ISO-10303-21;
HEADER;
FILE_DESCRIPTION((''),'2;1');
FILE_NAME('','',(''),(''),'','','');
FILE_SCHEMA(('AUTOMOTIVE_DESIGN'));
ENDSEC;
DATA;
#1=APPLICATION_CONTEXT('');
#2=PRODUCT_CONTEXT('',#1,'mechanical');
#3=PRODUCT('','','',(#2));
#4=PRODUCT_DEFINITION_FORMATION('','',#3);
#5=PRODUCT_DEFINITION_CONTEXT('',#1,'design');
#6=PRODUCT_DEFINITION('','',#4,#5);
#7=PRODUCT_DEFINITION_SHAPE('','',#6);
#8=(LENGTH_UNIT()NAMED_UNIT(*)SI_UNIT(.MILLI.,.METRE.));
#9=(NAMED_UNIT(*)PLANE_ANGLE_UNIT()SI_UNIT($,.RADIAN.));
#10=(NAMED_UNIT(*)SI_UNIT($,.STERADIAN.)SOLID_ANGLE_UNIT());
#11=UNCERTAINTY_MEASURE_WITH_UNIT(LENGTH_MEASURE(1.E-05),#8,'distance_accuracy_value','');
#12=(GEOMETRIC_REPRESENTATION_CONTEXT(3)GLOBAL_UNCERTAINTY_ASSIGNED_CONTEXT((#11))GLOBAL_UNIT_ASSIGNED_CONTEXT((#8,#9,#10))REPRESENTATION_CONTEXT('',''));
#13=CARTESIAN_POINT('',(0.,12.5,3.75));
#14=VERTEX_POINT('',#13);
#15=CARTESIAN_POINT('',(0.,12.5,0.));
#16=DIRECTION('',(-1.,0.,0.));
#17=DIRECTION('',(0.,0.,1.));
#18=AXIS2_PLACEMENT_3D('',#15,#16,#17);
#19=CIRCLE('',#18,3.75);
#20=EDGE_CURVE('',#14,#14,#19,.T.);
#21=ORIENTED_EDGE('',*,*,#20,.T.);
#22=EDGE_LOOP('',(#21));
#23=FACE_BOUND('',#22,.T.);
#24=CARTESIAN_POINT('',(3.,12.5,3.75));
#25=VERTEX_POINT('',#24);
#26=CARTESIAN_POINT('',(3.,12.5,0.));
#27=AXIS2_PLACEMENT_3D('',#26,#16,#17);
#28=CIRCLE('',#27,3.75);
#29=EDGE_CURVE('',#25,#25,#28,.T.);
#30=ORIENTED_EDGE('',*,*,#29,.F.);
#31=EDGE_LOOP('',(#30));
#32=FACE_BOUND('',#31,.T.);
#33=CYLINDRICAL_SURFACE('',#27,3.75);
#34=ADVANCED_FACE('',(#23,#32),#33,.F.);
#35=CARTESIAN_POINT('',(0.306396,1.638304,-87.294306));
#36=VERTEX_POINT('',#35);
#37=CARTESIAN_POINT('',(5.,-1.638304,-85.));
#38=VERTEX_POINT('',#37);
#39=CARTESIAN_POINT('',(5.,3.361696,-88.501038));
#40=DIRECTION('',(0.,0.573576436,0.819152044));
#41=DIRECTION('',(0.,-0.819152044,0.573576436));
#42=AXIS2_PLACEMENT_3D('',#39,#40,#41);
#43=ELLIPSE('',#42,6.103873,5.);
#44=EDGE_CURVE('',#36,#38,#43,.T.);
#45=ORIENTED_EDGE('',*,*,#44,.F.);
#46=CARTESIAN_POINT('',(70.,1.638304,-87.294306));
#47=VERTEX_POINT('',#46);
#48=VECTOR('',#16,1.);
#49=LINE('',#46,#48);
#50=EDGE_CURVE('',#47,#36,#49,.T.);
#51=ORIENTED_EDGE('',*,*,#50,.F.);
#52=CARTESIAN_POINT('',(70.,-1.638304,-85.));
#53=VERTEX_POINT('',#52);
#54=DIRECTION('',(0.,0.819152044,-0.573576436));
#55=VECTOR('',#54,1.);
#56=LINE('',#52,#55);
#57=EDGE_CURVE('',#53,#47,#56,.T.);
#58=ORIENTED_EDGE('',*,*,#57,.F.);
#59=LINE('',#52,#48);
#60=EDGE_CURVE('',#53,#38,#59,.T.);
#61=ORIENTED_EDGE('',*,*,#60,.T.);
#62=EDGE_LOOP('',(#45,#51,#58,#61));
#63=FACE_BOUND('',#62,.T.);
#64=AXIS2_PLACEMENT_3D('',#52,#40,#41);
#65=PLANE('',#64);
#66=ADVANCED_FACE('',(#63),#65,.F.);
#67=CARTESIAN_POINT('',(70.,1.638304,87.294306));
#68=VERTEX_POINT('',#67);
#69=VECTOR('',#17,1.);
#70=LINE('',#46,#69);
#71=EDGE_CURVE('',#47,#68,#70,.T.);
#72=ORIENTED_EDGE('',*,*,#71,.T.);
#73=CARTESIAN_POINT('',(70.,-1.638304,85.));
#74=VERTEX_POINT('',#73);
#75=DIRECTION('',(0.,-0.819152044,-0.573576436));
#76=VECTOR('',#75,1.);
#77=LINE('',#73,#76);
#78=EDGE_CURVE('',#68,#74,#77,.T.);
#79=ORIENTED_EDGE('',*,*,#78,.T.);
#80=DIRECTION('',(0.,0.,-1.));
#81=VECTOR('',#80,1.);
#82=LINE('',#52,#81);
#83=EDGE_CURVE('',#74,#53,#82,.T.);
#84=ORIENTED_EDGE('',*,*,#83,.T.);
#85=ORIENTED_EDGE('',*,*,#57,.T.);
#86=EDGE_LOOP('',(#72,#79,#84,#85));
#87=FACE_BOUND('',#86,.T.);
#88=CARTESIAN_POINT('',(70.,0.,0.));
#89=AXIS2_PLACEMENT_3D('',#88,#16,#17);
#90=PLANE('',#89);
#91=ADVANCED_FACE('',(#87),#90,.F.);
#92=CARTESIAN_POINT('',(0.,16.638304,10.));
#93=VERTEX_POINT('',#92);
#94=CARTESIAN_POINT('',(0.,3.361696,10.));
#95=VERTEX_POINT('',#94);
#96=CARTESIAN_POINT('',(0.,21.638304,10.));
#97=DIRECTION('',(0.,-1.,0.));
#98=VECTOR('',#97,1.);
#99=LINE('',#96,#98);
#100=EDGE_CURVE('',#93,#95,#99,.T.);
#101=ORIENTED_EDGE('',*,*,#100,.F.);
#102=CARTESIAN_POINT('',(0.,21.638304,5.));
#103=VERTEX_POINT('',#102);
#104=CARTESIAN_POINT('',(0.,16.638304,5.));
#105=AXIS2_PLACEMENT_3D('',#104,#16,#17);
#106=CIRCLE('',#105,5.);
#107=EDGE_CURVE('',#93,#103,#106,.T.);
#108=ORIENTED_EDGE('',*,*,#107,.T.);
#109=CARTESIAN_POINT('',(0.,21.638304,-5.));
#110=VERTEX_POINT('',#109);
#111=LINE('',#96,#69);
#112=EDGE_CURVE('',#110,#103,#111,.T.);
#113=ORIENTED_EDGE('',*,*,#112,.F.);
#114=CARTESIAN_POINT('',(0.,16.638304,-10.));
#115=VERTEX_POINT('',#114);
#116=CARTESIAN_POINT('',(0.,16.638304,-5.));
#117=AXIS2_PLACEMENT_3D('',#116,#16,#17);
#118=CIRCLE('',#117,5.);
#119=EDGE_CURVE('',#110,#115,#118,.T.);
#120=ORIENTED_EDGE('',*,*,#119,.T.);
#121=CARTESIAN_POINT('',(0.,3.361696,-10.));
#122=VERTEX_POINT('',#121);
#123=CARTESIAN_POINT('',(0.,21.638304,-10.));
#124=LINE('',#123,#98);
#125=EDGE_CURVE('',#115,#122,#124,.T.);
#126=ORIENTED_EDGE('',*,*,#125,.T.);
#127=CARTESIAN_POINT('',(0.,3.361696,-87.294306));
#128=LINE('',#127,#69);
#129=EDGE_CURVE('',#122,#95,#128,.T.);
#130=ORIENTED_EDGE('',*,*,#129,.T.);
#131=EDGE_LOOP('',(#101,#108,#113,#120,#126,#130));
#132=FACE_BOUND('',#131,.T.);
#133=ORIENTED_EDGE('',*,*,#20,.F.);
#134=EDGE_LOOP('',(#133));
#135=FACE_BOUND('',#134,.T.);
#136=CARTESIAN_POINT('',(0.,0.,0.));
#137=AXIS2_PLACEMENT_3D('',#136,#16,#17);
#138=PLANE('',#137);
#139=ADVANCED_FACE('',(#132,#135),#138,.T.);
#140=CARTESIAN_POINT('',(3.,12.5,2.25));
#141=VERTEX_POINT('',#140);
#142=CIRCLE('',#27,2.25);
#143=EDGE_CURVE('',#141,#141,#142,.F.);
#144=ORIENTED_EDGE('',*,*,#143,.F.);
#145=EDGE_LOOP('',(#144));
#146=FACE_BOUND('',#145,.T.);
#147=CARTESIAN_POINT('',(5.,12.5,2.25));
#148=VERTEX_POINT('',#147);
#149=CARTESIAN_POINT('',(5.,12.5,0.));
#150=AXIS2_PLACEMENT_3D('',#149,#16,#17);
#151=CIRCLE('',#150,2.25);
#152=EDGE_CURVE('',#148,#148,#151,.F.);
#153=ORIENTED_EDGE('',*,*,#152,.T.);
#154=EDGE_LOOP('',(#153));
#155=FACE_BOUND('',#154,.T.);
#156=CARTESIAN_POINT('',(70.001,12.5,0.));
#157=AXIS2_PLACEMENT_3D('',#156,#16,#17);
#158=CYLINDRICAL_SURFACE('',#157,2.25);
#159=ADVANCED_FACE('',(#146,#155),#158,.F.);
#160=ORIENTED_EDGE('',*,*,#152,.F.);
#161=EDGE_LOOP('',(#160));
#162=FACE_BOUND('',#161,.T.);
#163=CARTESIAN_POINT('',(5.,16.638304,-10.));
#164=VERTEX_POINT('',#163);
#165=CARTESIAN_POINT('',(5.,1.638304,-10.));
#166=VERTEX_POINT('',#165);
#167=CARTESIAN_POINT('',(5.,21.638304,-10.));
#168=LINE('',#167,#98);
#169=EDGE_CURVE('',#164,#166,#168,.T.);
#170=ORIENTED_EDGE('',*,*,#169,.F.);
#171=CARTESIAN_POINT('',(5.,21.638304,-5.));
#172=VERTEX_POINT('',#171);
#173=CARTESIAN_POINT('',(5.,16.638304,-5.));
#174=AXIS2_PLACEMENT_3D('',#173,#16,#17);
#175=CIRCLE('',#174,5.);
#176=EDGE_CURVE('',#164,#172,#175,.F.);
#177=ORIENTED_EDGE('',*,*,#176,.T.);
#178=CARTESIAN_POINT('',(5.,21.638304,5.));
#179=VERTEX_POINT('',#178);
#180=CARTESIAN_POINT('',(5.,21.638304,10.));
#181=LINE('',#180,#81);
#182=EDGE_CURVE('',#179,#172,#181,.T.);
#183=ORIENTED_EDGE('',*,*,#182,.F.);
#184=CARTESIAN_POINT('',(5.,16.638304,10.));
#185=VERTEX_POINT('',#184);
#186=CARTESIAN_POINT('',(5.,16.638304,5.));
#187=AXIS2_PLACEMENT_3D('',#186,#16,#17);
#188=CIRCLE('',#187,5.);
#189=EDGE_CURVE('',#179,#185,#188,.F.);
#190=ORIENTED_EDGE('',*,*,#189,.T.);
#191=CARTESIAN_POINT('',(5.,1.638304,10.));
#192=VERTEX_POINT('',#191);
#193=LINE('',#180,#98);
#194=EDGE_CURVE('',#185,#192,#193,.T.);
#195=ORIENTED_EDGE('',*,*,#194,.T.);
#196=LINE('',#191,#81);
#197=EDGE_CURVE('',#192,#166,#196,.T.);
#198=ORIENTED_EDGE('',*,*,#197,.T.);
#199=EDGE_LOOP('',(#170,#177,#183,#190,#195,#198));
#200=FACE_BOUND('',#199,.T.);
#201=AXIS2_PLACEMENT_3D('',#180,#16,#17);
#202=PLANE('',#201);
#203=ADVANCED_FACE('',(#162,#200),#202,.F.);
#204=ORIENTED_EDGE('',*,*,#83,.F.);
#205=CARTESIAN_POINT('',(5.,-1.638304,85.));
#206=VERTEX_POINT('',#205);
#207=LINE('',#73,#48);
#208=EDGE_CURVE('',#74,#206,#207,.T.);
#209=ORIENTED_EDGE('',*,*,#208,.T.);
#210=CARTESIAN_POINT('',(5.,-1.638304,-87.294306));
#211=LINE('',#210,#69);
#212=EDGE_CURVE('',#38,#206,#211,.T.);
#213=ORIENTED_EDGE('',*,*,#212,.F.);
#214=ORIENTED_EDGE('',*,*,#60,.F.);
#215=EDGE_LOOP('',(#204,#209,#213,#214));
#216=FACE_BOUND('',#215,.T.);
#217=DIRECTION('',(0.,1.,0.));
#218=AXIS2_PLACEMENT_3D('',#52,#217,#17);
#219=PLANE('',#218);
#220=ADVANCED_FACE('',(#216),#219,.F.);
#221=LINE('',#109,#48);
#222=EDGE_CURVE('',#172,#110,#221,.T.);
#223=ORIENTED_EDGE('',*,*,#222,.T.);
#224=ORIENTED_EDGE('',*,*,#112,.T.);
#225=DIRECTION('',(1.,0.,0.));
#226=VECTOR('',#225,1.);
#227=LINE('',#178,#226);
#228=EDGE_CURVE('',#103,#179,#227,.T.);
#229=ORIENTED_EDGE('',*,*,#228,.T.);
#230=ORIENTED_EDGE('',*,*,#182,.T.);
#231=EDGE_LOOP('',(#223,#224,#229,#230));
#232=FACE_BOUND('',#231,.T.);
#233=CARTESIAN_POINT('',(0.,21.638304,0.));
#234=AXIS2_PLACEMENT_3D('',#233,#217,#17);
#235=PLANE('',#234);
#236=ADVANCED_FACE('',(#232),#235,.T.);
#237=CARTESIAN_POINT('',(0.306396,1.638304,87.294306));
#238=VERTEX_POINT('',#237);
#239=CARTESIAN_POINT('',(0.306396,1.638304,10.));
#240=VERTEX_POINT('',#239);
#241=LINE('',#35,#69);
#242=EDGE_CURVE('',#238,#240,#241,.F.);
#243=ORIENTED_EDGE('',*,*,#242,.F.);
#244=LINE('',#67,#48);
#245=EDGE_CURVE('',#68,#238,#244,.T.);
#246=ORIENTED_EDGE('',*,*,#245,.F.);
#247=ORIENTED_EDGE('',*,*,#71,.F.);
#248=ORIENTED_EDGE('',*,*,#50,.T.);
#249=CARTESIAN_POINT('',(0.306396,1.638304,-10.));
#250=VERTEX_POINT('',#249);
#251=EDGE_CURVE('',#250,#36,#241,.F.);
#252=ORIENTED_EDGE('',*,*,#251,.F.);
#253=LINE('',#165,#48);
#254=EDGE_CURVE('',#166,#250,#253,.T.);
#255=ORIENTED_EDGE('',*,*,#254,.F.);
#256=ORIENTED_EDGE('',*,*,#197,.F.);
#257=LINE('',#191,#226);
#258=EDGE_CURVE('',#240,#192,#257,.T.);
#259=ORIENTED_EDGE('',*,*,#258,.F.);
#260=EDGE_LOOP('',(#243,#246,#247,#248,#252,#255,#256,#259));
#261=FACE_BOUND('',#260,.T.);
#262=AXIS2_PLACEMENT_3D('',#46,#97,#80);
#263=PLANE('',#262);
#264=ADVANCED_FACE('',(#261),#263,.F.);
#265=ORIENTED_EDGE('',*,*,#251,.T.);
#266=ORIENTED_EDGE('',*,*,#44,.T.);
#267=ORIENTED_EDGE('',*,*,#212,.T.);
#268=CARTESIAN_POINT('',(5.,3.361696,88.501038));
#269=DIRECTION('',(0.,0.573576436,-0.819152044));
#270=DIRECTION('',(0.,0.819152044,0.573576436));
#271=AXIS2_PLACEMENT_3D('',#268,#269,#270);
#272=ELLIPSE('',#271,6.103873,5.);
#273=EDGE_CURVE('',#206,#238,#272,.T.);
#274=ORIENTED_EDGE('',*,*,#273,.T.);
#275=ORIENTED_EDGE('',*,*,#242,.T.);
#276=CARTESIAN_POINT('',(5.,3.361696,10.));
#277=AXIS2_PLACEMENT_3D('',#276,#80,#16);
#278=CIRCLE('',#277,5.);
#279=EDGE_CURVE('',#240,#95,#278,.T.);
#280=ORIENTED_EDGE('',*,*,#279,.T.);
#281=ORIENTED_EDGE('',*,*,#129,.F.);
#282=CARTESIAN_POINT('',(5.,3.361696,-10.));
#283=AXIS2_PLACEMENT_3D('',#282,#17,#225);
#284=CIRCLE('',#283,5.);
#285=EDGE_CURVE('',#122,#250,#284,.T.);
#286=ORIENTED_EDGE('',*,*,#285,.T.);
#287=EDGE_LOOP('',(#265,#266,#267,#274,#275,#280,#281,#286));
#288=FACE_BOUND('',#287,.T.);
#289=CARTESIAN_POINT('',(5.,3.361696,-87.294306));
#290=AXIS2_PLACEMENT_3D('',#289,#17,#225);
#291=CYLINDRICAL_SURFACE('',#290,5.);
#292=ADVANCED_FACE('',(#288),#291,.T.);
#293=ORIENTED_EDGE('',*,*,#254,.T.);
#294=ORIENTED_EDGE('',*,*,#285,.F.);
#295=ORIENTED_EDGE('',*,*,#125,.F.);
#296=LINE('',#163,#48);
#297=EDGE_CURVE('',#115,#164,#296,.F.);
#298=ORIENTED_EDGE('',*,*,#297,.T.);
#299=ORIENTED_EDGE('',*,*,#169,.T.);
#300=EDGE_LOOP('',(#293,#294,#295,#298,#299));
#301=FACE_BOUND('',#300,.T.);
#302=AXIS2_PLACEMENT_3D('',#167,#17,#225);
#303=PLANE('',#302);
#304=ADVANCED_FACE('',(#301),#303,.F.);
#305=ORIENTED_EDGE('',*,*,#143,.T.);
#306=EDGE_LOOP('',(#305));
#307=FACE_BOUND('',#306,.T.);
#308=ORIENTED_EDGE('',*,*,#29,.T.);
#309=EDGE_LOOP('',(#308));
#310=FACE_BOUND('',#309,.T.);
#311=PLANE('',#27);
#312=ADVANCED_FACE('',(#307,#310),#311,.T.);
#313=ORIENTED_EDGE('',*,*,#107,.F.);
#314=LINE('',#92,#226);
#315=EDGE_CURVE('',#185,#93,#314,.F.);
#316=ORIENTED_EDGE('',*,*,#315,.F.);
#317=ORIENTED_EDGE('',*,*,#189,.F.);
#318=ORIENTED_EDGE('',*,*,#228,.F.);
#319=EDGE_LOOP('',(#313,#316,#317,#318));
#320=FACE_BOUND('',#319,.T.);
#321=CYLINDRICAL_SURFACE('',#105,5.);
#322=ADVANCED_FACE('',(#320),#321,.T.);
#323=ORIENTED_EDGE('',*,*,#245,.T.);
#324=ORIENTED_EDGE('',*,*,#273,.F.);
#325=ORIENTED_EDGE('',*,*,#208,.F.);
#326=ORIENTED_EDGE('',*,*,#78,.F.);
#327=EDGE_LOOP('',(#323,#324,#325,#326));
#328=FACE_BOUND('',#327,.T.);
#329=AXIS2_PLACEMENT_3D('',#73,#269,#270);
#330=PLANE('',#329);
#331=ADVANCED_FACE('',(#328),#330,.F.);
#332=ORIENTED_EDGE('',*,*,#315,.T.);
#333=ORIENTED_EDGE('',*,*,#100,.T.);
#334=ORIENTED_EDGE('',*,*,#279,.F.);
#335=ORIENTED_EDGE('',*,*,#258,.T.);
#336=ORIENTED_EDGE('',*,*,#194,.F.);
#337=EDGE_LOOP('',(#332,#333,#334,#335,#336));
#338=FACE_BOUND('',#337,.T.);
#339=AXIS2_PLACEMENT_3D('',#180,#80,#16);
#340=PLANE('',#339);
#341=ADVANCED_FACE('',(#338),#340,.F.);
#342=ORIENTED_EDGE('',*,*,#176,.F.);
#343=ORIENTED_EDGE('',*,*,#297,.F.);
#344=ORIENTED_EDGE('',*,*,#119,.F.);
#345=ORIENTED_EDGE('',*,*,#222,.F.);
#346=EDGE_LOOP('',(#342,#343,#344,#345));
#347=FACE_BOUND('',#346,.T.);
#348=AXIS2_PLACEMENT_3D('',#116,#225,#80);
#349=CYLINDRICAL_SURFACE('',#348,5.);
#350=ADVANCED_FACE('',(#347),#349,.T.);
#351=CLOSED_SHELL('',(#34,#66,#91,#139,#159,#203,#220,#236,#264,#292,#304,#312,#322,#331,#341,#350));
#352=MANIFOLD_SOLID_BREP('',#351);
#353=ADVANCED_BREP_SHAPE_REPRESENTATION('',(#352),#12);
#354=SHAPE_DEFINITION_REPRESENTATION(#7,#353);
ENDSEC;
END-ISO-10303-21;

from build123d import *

# Parameters (mm, degrees)
BOSS_EXTRUDE1_DEPTH     = 70
SKETCH4_W               = 5
SKETCH4_H               = 20
BOSS_EXTRUDE2_DEPTH     = 20
CUT_EXTRUDE2_DEPTH      = 114.967153248
CUT_EXTRUDE2_DEPTH_BACK = 114.967153248
CUT_EXTRUDE3_REACH      = 115.967
SKETCH6_R               = 2.25
SKETCH7_R               = 3.75
CUT_EXTRUDE4_DEPTH      = 3
FILLET1_R               = 5


with BuildPart() as part:
    # Sketch1 → Boss-Extrude1 (new body)
    with BuildSketch(Plane.YZ):
        Polygon((-1.638304089, 85), (1.638304089, 87.294305745), (1.638304089, -87.294305745), (-1.638304089, -85), align=None)
    extrude(amount=BOSS_EXTRUDE1_DEPTH)

    # Sketch4 → Boss-Extrude2 (add)
    with BuildSketch(Plane(origin=(0, 1.638304089, 0), x_dir=(-1, 0, 0), z_dir=(0, 1, 0))):
        with Locations((-2.5, 0)):
            Rectangle(SKETCH4_W, SKETCH4_H)
    extrude(amount=BOSS_EXTRUDE2_DEPTH)

    # Sketch5 → Cut-Extrude2 (cut, two sides: drawn at the far end of the back side and taken through both)
    with BuildSketch(Plane(origin=(0, 0, 0), x_dir=(0, 1, 0), z_dir=(0, 0, 1)).offset(-CUT_EXTRUDE2_DEPTH_BACK)):
        with BuildLine():
            ThreePointArc((3.361695911, 0), (-0.173837995, -1.464466094), (-1.638304089, -5))
            Line((-1.638304089, -5), (-1.638304089, 0))
            Line((-1.638304089, 0), (3.361695911, 0))
        make_face()
    extrude(amount=CUT_EXTRUDE2_DEPTH + CUT_EXTRUDE2_DEPTH_BACK, mode=Mode.SUBTRACT)

    # Sketch6 → Cut-Extrude3 (cut, up to next)
    with BuildSketch(Plane(origin=(0, 0, 0), x_dir=(0, -1, 0), z_dir=(-1, 0, 0)), mode=Mode.PRIVATE) as cut_extrude3_sk1:
        with Locations(Location((-12.5, 0, 0), (0, 0, 90))):
            Circle(SKETCH6_R)
    cut_extrude3_tool1 = extrude(cut_extrude3_sk1.sketch, amount=-CUT_EXTRUDE3_REACH, mode=Mode.PRIVATE) & part.part
    add(cut_extrude3_tool1.solids().sort_by_distance((0, 12.5, 0))[0], mode=Mode.SUBTRACT)

    # Sketch7 → Cut-Extrude4 (cut)
    with BuildSketch(Plane(origin=(0, 0, 0), x_dir=(0, -1, 0), z_dir=(-1, 0, 0))):
        with Locations(Location((-12.5, 0, 0), (0, 0, 90))):
            Circle(SKETCH7_R)
    extrude(amount=-CUT_EXTRUDE4_DEPTH, mode=Mode.SUBTRACT)

    # Fillet1
    fillet1_edges = [part.edges().sort_by_distance(p)[0] for p in [
        (2.5, 21.638304089, -10),
        (2.5, 21.638304089, 10),
    ]]
    fillet(fillet1_edges, radius=FILLET1_R)


solid = part.part
